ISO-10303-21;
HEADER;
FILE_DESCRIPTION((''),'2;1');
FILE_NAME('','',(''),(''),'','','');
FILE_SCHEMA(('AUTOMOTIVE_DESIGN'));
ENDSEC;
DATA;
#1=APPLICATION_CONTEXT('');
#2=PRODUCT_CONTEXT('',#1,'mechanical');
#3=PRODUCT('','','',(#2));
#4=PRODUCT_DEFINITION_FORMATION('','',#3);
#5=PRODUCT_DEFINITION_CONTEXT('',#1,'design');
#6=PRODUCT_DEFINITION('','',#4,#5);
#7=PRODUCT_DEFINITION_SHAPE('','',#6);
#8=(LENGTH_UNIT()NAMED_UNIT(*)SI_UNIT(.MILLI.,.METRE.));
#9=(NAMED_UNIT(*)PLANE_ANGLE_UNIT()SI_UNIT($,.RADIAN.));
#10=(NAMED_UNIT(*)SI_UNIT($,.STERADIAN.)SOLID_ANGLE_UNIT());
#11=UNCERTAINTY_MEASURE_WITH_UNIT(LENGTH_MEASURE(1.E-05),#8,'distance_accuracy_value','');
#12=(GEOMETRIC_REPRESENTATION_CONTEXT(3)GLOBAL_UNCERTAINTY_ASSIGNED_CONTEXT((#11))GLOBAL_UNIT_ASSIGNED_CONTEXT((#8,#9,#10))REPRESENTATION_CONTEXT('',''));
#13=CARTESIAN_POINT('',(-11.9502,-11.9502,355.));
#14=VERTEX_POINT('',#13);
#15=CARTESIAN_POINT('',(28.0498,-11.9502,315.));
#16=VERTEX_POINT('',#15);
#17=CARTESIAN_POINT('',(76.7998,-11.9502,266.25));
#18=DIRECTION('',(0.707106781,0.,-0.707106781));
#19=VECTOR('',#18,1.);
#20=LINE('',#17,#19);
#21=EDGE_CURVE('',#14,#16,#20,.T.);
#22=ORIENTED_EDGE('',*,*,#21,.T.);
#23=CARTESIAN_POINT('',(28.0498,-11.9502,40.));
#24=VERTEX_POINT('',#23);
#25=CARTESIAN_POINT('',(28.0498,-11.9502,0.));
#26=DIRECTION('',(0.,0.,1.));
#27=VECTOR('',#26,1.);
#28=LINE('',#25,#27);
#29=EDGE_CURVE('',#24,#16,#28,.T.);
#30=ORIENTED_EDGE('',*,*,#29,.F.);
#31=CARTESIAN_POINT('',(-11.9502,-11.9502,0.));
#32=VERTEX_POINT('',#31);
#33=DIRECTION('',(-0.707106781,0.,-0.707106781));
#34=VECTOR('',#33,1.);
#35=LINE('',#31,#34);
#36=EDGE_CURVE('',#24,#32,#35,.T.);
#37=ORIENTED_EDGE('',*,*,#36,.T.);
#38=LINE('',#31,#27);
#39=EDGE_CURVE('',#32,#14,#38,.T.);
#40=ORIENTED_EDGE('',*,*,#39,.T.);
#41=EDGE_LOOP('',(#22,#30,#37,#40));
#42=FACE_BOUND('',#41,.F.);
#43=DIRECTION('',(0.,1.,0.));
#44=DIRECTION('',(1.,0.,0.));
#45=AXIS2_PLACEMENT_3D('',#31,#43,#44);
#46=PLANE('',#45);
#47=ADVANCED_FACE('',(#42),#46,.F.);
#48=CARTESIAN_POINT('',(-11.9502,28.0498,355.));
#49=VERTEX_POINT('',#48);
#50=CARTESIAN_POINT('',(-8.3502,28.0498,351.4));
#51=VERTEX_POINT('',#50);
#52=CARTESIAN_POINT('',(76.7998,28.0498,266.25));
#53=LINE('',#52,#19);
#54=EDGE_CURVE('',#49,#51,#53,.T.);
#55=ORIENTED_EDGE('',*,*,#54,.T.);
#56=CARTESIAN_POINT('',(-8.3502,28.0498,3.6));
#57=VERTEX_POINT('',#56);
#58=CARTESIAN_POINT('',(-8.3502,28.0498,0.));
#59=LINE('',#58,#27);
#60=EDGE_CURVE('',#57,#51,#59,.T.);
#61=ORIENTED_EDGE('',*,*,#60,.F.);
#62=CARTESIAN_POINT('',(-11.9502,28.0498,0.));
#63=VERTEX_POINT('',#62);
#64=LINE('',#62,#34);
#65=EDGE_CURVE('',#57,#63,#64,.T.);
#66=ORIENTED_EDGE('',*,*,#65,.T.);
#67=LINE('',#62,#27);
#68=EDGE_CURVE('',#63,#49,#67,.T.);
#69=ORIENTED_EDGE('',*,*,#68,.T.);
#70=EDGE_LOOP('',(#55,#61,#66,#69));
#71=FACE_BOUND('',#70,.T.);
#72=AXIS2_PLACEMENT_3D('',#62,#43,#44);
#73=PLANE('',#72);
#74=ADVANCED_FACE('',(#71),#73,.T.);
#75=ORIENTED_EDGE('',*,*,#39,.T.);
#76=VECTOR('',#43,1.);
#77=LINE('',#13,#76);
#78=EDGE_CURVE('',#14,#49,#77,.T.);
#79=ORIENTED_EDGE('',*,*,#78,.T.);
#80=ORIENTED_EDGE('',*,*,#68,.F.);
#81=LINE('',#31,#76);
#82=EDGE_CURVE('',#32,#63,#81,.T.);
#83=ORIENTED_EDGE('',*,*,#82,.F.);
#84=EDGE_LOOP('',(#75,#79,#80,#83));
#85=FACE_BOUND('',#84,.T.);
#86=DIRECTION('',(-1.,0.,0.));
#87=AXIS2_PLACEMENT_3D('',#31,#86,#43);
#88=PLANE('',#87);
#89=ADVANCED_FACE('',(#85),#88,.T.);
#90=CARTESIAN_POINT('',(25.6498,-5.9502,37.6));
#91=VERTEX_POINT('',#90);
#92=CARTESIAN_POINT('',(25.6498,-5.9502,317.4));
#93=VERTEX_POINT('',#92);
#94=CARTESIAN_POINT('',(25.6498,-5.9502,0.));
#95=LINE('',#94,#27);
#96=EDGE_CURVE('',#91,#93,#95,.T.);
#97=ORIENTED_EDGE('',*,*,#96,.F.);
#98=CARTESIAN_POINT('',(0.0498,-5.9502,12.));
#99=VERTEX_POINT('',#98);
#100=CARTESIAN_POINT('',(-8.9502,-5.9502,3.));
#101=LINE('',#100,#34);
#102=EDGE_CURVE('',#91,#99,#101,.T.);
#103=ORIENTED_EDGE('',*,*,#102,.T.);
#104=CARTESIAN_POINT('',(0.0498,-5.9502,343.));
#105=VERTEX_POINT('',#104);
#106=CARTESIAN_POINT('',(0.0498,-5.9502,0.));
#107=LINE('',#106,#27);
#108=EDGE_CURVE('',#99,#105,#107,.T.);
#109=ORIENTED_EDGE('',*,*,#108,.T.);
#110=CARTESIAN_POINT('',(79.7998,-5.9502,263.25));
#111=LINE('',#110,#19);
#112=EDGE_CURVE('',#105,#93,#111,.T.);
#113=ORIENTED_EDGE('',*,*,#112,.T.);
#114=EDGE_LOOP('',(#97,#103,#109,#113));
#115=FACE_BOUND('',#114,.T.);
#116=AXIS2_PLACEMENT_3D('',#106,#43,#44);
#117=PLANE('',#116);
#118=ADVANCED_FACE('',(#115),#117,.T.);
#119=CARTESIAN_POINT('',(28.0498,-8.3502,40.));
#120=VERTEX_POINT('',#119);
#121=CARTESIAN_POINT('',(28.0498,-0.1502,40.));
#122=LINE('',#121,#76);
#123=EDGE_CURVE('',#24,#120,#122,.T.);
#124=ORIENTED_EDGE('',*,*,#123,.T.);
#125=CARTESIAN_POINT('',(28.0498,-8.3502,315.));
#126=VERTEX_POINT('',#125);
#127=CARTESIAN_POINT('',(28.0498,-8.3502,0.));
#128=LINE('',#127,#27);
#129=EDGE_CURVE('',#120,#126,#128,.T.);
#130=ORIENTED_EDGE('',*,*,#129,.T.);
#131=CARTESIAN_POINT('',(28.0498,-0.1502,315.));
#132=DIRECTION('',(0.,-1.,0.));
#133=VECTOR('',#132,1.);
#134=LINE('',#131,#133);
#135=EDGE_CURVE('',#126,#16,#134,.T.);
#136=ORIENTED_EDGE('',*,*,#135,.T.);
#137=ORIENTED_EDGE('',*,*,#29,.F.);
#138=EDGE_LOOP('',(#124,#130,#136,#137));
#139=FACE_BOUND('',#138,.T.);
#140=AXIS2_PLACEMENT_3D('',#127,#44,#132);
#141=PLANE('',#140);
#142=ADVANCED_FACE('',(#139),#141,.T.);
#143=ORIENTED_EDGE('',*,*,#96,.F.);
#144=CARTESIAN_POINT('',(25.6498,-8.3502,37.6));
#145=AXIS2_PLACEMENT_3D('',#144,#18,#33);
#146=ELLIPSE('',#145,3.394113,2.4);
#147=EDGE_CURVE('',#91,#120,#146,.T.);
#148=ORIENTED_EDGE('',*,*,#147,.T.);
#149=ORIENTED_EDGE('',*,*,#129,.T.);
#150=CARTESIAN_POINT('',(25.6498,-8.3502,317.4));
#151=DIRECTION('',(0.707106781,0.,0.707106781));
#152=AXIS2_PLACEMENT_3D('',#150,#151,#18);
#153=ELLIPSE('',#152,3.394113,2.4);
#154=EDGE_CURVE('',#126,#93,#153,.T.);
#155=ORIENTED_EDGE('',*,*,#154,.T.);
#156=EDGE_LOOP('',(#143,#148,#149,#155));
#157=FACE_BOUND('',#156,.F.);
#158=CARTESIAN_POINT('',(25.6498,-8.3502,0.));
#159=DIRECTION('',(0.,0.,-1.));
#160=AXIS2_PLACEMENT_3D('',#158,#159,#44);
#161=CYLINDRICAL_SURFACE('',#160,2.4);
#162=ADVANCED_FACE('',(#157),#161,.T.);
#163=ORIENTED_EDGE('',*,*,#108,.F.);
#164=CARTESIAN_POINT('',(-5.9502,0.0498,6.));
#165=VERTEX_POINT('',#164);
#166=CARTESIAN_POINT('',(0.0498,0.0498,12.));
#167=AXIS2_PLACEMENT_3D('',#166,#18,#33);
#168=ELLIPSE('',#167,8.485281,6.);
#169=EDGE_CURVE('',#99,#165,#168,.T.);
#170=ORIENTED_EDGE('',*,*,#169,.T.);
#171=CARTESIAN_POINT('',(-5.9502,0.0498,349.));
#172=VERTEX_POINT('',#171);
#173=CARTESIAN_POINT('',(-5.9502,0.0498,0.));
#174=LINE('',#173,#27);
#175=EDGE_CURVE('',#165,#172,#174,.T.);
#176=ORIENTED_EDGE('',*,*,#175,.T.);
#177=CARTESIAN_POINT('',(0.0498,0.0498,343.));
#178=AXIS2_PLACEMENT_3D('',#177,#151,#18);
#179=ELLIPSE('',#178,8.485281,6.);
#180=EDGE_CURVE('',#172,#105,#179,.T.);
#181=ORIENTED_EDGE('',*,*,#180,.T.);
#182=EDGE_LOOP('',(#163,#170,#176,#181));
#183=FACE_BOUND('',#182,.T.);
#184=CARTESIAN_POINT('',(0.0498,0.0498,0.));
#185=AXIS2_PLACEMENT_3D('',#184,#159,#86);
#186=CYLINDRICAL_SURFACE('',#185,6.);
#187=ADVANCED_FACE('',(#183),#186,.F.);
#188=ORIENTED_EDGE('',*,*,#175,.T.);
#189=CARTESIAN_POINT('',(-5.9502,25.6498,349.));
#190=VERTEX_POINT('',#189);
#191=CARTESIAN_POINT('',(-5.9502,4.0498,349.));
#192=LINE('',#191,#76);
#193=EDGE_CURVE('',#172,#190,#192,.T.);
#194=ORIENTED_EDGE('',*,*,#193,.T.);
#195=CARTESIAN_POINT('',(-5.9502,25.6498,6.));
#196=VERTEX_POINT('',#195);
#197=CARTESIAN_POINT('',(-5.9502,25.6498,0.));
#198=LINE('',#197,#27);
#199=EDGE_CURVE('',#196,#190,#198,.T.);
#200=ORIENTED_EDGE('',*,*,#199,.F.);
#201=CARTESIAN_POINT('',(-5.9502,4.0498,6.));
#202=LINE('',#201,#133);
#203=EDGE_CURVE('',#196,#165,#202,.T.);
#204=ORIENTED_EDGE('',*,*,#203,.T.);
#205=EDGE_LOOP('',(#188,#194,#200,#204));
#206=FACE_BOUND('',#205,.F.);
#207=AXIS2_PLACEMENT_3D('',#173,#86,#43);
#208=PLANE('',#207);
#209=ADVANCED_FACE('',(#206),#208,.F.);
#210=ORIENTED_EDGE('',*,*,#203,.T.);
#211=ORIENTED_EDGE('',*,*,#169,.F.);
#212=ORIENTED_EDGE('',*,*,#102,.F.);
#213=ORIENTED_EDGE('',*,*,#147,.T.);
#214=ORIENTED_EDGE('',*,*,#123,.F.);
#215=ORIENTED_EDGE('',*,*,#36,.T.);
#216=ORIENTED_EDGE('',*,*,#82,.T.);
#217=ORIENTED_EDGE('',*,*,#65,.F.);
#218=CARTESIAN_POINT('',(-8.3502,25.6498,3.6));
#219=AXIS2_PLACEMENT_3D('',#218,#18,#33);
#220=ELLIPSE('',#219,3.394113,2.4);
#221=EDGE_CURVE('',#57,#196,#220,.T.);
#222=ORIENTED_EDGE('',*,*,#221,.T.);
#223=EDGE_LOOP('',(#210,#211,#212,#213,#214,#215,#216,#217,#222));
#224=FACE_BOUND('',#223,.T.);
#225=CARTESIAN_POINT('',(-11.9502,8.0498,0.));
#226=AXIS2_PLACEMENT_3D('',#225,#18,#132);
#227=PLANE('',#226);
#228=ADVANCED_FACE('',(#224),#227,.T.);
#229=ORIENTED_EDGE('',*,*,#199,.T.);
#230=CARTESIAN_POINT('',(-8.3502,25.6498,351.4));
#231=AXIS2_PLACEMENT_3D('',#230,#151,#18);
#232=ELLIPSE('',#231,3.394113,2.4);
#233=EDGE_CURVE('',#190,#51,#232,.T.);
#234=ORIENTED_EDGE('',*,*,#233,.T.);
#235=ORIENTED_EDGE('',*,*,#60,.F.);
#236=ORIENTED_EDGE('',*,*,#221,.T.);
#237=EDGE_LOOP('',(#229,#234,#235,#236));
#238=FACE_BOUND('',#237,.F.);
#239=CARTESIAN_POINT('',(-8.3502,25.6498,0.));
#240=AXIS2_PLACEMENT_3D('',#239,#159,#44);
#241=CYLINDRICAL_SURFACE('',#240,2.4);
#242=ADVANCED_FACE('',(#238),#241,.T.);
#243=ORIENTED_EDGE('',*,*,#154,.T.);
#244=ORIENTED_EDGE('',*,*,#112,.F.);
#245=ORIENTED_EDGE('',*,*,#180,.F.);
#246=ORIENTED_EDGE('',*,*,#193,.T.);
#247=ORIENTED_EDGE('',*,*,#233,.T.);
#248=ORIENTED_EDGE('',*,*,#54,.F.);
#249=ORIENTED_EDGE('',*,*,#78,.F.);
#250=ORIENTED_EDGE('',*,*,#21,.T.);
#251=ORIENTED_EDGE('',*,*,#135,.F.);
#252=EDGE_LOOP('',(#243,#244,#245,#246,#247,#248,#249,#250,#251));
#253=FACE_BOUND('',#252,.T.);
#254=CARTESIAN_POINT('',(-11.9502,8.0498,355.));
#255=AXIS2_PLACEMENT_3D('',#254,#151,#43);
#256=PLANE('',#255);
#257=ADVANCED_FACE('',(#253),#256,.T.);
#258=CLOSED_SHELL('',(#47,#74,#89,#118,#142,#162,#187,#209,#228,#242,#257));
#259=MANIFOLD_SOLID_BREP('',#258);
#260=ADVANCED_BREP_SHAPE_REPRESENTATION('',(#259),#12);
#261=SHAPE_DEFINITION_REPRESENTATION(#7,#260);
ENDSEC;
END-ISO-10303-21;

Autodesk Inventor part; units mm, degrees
ref_plane "Start Plane" through (0, 0, 0) normal (0, 0, 1) x (1, 0, 0)
ref_plane "End Plane" through (0, 0, 355) normal (0, 0, 1) x (1, 0, 0)
sketch "Sketch" plane through (0, 0, 0) normal (0, 0, 1) x (1, 0, 0)
  line L0 (-5.9502, 0.0498) -> (-5.9502, 25.6498)
  line L1 (-11.9502, 28.0498) -> (-8.3502, 28.0498)
  line L2 (-11.9502, -11.9502) -> (-11.9502, 28.0498)
  line L3 (-11.9502, -11.9502) -> (28.0498, -11.9502)
  line L4 (28.0498, -8.3502) -> (28.0498, -11.9502)
  line L5 (0.0498, -5.9502) -> (25.6498, -5.9502)
  arc A0 (-5.9502, 0.0498) -> (0.0498, -5.9502) centre (0.0498, 0.0498) ccw
  arc A1 (-5.9502, 25.6498) -> (-8.3502, 28.0498) centre (-8.3502, 25.6498) ccw
  arc A2 (28.0498, -8.3502) -> (25.6498, -5.9502) centre (25.6498, -8.3502) ccw
  line L6 (0, 36.6463) -> (0, -20.0496) construction
  line L7 (-20.0496, 0) -> (36.6463, 0) construction
  point P0 (-5.9502, -5.9502)
  point P1 (-5.9502, 28.0498)
  point P2 (28.0498, -5.9502)
  dimension "d4" = 40
  dimension "d6" = 40
  dimension "d8" = 6
  dimension "d10" = 6
  dimension "d17" = 6
  dimension "d18" = 2.4
  dimension "d19" = 11.9502
  dimension "d20" = 11.9502
extrude "Body" add sketch "Sketch" along normal up to surface (355 mm away) from surface at 0
sketch "Sketch3" plane through (0, 0, 0) normal (0, 0, 1) x (1, 0, 0)
  line L0 (0, 0) -> (10, 0)
ref_plane "Work Plane10" through (0, 0, 0) normal (0, -1, 0) x (1, 0, 0)
sketch "Sketch4" plane through (0, 0, 0) normal (0, -1, 0) x (1, 0, 0)
  line L0 (-2, 0) -> (12, 0)
  line L1 (-2, 355) -> (12, 355)
  dimension "d24" = 355
ref_plane "Work Plane11" through (-11.9502, 8.0498, 0) normal (0.7071, 0, -0.7071) x (-0.7071, 0, -0.7071)
split "Split1" plane through (-11.9502, 8.0498, 0) removes the side toward (0.7071, 0, -0.7071)
ref_plane "Work Plane12" through (-11.9502, 8.0498, 355) normal (0.7071, 0, 0.7071) x (0.7071, 0, -0.7071)
split "Split2" plane through (-11.9502, 8.0498, 355) removes the side toward (0.7071, 0, 0.7071)
equation "\"d4\" = b"
equation "\"d6\" = b"
equation "\"d8\" = ParT"
equation "\"d10\" = ParT"
equation "\"d17\" = R"
equation "\"d18\" = R1"
equation "\"d19\" = ex"
equation "\"d20\" = d19"
equation "\"d11\" = G_L"
equation "\"b\" = 40"
equation "\"ParT\" = 6"
equation "\"R\" = 6"
equation "\"R1\" = 2.4"
equation "\"G_L\" = d24"
equation "\"G_OFFSET_START\" = 0"
equation "\"G_OFFSET_END\" = 0"
equation "\"d22\" = G_OFFSET_END + B_L"
equation "\"B_L\" = 355"
equation "\"ex\" = 11.950185"
properties part number "BS 4848 - 40x40x6-355" material "Steel, Mild"
